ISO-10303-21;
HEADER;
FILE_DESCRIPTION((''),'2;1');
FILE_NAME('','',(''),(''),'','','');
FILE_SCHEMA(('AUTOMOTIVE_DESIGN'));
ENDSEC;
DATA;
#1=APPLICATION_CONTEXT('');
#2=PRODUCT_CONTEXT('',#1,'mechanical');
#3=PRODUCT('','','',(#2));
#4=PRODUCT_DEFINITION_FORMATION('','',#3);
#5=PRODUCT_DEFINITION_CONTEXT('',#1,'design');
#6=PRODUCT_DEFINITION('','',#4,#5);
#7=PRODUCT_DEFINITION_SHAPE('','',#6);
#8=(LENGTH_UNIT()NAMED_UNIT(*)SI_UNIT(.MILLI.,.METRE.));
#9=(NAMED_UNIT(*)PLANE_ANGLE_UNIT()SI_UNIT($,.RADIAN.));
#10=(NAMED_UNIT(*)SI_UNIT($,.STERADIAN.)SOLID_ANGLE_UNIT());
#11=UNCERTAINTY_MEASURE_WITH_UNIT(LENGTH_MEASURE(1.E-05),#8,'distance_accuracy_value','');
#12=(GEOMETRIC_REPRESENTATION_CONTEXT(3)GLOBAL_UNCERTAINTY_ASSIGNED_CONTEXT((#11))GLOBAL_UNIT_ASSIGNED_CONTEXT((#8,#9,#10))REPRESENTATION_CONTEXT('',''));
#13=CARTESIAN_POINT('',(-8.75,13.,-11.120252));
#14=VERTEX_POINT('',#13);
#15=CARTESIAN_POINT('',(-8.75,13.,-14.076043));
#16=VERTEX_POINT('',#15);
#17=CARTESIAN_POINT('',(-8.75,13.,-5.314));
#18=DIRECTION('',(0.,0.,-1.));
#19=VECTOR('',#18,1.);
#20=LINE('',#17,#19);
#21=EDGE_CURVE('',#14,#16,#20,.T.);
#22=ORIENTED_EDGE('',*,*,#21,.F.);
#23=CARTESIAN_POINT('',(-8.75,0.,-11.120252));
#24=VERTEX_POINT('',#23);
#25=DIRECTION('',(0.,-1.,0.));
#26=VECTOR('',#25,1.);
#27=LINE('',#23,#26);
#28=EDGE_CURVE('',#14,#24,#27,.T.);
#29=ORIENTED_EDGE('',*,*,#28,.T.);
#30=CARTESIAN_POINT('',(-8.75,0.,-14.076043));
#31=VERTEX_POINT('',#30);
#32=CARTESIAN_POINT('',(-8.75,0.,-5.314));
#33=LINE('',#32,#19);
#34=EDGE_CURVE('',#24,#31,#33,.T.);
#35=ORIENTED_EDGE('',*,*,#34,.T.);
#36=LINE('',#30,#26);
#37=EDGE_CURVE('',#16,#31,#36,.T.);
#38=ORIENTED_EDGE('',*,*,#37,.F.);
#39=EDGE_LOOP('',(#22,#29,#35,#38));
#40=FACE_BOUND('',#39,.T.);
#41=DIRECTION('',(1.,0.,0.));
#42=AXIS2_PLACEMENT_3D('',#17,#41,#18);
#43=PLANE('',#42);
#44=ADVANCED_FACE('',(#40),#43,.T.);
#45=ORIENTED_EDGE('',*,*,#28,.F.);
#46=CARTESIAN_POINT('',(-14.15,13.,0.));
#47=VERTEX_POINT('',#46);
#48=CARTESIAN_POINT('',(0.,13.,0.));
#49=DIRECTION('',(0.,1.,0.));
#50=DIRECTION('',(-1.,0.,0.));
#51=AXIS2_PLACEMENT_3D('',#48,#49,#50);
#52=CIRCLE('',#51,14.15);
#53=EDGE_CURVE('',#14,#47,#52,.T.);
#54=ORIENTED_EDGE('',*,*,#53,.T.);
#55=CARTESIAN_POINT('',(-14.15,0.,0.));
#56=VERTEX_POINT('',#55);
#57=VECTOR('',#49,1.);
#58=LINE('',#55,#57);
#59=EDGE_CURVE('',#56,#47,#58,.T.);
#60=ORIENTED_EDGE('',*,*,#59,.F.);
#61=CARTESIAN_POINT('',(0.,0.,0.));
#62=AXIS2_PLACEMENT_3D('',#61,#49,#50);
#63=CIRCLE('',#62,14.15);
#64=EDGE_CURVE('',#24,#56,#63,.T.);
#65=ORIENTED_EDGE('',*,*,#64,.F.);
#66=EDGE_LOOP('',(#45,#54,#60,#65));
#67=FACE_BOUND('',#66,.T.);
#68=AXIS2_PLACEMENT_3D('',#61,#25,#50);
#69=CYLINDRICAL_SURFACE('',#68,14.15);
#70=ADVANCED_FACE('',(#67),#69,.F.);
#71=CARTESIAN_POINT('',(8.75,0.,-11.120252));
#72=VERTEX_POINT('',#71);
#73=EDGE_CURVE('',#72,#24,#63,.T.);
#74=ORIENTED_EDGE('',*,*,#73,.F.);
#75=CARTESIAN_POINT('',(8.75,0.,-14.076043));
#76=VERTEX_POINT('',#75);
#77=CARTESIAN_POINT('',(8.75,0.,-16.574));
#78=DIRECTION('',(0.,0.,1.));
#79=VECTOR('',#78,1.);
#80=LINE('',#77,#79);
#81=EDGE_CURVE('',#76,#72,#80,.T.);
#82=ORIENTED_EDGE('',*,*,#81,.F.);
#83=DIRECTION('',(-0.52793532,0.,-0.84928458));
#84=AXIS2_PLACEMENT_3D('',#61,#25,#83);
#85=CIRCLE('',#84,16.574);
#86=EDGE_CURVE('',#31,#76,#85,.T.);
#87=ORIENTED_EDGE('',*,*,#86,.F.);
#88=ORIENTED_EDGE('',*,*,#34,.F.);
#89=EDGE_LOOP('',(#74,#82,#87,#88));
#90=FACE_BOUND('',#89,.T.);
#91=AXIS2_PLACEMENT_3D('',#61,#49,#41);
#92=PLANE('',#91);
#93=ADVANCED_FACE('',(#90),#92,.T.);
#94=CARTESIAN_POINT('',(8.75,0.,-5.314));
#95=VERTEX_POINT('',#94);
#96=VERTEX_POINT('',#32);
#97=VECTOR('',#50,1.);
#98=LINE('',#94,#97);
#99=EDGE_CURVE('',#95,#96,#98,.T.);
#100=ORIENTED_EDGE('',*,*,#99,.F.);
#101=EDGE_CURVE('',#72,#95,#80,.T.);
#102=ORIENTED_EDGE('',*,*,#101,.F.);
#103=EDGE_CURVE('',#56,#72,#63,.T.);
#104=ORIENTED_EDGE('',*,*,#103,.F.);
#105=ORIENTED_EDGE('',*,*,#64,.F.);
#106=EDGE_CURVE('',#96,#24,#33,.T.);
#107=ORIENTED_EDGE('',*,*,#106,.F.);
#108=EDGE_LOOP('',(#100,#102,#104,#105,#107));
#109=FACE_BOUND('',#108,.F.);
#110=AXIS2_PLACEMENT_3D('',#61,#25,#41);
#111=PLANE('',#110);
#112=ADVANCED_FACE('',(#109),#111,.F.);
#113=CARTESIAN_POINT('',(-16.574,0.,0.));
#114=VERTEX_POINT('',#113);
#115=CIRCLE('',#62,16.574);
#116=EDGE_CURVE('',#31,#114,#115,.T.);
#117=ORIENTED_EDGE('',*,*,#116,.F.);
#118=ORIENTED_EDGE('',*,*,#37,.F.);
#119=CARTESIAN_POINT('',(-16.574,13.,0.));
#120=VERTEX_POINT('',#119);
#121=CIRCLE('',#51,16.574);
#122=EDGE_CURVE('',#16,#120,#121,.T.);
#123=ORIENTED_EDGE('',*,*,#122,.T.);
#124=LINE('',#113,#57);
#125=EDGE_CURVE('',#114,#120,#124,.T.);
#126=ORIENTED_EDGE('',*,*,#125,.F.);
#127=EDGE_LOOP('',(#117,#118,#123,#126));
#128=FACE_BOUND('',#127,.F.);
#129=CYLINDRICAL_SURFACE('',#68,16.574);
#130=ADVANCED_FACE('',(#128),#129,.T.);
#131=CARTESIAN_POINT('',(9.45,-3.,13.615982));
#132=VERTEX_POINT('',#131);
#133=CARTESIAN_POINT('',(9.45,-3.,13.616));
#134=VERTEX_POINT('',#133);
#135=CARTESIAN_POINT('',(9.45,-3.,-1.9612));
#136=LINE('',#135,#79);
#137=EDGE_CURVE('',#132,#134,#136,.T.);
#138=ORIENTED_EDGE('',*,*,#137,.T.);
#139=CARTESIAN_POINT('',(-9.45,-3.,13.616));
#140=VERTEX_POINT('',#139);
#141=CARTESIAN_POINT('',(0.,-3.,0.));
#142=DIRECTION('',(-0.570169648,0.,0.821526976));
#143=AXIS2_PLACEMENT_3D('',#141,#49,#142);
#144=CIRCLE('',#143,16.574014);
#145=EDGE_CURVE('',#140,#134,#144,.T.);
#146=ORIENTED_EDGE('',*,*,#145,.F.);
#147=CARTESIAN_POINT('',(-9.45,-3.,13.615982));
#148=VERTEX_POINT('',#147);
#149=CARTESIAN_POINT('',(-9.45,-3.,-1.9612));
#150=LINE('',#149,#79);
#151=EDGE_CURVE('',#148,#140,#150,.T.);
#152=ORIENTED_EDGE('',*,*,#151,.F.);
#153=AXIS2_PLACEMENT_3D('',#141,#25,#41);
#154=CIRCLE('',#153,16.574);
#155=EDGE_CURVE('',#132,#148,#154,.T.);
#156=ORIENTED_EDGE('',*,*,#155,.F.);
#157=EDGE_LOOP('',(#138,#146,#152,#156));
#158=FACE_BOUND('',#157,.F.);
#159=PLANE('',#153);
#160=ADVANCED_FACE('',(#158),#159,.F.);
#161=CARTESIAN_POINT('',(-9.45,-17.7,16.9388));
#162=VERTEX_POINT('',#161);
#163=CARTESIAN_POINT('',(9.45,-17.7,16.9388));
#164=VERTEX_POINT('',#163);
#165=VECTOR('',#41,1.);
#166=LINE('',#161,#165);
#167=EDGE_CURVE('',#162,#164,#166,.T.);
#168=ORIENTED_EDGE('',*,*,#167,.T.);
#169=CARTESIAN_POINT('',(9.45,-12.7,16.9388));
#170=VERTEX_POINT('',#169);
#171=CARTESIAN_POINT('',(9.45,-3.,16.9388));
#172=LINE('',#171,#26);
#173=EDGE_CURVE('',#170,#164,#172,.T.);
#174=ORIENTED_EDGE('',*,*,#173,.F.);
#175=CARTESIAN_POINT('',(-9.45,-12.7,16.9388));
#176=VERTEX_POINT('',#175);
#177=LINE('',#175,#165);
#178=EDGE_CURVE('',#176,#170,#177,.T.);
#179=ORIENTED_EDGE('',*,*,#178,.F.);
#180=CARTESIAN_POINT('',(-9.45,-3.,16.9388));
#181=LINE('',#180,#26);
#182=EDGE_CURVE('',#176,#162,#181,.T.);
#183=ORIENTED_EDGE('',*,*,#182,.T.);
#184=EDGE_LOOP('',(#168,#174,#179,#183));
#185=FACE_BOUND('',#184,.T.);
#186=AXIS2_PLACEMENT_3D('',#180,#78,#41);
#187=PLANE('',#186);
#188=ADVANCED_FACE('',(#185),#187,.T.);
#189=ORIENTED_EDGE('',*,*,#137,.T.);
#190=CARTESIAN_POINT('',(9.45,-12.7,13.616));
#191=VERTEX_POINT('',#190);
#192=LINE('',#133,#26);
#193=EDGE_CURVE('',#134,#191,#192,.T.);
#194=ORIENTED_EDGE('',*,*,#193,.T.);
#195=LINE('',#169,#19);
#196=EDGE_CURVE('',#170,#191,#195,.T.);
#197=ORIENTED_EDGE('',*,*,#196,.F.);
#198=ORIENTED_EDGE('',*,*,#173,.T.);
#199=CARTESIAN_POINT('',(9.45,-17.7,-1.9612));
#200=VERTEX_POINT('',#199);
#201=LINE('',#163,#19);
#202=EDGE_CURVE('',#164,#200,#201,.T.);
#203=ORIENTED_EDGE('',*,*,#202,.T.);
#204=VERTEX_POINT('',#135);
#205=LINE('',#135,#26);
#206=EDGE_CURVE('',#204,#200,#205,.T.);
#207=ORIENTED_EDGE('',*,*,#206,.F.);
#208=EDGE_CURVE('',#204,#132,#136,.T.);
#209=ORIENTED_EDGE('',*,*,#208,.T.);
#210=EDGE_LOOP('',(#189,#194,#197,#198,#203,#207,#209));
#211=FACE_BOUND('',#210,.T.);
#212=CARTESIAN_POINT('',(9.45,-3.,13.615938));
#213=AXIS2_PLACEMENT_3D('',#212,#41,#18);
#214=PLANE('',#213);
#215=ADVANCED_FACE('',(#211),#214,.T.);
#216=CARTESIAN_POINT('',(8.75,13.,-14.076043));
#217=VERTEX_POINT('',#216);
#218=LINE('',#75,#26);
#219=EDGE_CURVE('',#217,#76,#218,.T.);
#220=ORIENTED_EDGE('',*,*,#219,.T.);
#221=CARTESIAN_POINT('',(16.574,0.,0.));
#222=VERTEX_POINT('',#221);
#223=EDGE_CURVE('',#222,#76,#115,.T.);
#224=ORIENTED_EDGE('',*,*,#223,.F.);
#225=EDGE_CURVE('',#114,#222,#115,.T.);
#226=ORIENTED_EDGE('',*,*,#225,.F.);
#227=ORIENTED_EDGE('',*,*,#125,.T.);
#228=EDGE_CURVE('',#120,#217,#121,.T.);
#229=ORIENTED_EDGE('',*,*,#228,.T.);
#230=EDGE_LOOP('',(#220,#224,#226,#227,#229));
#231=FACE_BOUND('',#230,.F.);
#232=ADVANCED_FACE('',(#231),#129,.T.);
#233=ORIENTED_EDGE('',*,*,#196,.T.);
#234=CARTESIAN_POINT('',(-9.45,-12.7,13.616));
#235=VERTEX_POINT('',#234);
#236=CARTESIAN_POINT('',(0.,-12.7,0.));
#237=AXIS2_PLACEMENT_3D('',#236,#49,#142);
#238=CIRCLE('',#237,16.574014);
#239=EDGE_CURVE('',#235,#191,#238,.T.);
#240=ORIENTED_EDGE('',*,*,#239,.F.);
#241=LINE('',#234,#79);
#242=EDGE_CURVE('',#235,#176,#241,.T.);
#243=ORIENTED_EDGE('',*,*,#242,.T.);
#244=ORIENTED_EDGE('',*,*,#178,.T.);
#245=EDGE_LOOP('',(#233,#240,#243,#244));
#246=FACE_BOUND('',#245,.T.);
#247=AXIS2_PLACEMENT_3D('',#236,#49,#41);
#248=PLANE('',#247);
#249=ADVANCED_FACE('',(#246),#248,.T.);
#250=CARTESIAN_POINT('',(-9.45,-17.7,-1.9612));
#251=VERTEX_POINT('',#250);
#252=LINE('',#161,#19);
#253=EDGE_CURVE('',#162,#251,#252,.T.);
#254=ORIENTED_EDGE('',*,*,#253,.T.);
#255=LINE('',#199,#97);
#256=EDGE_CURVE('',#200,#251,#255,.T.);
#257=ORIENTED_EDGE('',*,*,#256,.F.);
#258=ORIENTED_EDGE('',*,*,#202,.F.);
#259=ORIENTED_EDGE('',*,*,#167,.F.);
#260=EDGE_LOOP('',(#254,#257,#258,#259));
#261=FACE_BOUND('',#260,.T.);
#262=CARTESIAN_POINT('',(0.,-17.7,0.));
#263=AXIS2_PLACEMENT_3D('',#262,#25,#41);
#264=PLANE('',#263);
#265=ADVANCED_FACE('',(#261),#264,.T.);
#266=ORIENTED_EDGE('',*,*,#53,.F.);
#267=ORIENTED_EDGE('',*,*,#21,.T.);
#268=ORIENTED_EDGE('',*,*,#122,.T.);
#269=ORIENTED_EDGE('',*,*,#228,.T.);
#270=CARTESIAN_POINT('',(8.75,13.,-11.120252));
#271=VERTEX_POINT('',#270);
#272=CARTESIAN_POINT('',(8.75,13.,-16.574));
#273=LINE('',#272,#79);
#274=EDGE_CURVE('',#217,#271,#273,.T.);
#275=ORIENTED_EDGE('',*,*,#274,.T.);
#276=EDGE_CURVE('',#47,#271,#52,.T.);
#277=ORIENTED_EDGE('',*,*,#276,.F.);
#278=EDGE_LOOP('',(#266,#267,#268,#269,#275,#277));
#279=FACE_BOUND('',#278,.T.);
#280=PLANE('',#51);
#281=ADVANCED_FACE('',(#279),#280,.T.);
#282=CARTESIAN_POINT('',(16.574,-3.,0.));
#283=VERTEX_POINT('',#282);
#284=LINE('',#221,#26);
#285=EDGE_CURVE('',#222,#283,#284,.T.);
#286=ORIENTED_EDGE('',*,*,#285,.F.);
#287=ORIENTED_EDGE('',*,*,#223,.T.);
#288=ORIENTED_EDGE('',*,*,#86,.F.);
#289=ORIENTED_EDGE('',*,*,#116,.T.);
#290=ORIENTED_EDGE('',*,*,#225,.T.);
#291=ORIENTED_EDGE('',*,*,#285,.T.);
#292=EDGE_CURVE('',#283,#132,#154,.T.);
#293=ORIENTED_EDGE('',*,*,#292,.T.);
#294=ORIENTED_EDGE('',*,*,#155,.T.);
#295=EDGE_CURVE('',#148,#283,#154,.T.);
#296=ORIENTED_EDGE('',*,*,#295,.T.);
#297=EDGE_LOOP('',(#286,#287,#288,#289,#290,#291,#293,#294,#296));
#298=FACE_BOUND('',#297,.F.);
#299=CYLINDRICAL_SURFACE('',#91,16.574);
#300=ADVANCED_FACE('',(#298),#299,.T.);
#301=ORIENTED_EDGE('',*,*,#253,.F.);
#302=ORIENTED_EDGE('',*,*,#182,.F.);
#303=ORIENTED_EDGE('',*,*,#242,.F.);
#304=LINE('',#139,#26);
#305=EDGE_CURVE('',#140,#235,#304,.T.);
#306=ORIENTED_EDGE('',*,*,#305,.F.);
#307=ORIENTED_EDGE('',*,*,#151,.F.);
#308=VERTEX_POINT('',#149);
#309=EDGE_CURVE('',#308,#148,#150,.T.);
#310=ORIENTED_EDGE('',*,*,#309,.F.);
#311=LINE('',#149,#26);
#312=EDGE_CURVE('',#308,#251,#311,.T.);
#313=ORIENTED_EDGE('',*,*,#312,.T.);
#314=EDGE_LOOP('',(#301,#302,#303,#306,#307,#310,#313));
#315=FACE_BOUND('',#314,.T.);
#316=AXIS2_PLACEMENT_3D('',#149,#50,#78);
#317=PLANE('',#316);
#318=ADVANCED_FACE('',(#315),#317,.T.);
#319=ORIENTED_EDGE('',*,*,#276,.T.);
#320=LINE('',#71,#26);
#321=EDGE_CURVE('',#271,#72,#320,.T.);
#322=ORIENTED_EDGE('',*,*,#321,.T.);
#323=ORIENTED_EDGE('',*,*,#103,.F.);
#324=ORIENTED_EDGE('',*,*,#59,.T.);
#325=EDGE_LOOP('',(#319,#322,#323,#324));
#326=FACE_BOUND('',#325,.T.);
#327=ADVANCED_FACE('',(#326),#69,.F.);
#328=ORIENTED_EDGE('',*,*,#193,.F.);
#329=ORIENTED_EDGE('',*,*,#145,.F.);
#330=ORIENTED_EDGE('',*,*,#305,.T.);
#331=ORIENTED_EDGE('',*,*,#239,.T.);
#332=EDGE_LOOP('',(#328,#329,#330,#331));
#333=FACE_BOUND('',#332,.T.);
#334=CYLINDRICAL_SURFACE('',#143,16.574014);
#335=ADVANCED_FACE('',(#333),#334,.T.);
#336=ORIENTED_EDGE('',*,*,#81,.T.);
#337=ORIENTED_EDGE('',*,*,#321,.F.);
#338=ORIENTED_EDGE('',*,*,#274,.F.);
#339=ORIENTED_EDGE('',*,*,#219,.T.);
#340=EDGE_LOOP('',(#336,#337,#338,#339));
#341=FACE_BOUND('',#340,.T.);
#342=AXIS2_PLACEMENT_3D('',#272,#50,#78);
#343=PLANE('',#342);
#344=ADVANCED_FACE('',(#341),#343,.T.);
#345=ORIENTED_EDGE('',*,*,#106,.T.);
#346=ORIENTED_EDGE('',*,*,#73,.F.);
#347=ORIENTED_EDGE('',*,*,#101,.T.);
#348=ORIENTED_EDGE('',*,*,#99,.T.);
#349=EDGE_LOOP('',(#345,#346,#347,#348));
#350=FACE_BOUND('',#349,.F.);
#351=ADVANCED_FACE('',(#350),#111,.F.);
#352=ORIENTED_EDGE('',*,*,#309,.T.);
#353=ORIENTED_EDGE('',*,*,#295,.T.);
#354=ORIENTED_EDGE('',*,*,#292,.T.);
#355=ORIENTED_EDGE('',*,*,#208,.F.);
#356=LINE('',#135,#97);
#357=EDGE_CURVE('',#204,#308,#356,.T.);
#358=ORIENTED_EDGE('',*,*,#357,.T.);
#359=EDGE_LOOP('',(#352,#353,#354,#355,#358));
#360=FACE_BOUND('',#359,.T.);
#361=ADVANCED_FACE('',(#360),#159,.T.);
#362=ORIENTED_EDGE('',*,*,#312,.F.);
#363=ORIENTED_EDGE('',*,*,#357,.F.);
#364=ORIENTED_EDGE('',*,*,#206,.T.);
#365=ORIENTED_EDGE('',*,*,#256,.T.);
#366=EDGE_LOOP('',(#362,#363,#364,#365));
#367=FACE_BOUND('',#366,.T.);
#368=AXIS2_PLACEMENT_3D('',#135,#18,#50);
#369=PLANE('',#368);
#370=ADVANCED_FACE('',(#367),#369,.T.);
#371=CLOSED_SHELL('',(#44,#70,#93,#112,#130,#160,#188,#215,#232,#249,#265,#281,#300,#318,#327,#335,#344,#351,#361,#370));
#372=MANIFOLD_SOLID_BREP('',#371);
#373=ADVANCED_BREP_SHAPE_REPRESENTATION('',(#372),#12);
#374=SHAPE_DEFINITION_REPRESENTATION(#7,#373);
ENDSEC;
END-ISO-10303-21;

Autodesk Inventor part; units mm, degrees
ref_plane "YZ Plane" through (0, 0, 0) normal (1, 0, 0) x (0, 1, 0)
ref_plane "XZ Plane" through (0, 0, 0) normal (0, 1, 0) x (-1, 0, 0)
ref_plane "XY Plane" through (0, 0, 0) normal (0, 0, 1) x (1, 0, 0)
sketch "Sketch1" plane through (0, 0, 0) normal (0, 1, 0) x (-1, 0, 0)
  circle A0 centre (0, 0) radius 14.15
  circle A1 centre (0, 0) radius 16.574
  dimension "d0" = 28.3
  dimension "d1" = 2.424
extrude "Extrusion1" add sketch "Sketch1" along normal blind 13
sketch "Sketch2" plane through (0, 0, 0) normal (0, -1, 0) x (1, 0, 0)
  circle A0 centre (0, 0) radius 16.574 projected
extrude "Extrusion2" add sketch "Sketch2" along normal blind 3
sketch "Sketch3" plane through (0, 13, 0) normal (0, 1, 0) x (1, 0, 0)
  line L0 (0, 16.574) -> (-8.75, 16.574)
  line L1 (-8.75, 16.574) -> (8.75, 16.574)
  line L2 (-8.75, 16.574) -> (8.75, 16.574)
  line L3 (8.75, 16.574) -> (8.75, 5.314)
  line L4 (8.75, 5.314) -> (-8.75, 5.314)
  line L5 (-8.75, 5.314) -> (-8.75, 16.574)
  dimension "d6" = 8.75
  dimension "d7" = 17.5
extrude "Extrusion3" cut sketch "Sketch3" against normal up to surface (13 mm away)
sketch "Sketch4" plane through (0, -3, 0) normal (0, -1, 0) x (1, 0, 0)
  arc A0 (8.75, -14.076) -> (-8.75, -14.076) centre (0, 0) ccw projected
  line L0 (0, 16.574) -> (0, 2.9438)
  line L1 (0, 2.9438) -> (0, 12.0338)
  line L2 (-9.45, -1.9612) -> (-9.45, 16.9388)
  line L3 (-9.45, 16.9388) -> (9.45, 16.9388)
  line L4 (9.45, 16.9388) -> (9.45, -1.9612)
  line L5 (9.45, -1.9612) -> (-9.45, -1.9612)
  point P0 (0.0791, 7.4888)
  point P1 (0, 7.4888)
  point P2 (0, -1.9612)
  dimension "d13" = 18.9
extrude "Extrusion4" add sketch "Sketch4" along normal blind 14.7
sketch "Sketch5" plane through (0, -3, 0) normal (0, 1, 0) x (1, 0, 0)
  arc A0 (-9.45, -13.616) -> (9.45, -13.616) centre (0, 0) ccw projected
  line L0 (-9.45, -13.616) -> (-9.45, -16.9388) projected
  line L1 (-9.45, -16.9388) -> (9.45, -16.9388) projected
  line L2 (9.45, -16.9388) -> (9.45, -13.616) projected
extrude "Extrusion5" cut sketch "Sketch5" against normal blind 9.7
properties part number "stepper_housing"
